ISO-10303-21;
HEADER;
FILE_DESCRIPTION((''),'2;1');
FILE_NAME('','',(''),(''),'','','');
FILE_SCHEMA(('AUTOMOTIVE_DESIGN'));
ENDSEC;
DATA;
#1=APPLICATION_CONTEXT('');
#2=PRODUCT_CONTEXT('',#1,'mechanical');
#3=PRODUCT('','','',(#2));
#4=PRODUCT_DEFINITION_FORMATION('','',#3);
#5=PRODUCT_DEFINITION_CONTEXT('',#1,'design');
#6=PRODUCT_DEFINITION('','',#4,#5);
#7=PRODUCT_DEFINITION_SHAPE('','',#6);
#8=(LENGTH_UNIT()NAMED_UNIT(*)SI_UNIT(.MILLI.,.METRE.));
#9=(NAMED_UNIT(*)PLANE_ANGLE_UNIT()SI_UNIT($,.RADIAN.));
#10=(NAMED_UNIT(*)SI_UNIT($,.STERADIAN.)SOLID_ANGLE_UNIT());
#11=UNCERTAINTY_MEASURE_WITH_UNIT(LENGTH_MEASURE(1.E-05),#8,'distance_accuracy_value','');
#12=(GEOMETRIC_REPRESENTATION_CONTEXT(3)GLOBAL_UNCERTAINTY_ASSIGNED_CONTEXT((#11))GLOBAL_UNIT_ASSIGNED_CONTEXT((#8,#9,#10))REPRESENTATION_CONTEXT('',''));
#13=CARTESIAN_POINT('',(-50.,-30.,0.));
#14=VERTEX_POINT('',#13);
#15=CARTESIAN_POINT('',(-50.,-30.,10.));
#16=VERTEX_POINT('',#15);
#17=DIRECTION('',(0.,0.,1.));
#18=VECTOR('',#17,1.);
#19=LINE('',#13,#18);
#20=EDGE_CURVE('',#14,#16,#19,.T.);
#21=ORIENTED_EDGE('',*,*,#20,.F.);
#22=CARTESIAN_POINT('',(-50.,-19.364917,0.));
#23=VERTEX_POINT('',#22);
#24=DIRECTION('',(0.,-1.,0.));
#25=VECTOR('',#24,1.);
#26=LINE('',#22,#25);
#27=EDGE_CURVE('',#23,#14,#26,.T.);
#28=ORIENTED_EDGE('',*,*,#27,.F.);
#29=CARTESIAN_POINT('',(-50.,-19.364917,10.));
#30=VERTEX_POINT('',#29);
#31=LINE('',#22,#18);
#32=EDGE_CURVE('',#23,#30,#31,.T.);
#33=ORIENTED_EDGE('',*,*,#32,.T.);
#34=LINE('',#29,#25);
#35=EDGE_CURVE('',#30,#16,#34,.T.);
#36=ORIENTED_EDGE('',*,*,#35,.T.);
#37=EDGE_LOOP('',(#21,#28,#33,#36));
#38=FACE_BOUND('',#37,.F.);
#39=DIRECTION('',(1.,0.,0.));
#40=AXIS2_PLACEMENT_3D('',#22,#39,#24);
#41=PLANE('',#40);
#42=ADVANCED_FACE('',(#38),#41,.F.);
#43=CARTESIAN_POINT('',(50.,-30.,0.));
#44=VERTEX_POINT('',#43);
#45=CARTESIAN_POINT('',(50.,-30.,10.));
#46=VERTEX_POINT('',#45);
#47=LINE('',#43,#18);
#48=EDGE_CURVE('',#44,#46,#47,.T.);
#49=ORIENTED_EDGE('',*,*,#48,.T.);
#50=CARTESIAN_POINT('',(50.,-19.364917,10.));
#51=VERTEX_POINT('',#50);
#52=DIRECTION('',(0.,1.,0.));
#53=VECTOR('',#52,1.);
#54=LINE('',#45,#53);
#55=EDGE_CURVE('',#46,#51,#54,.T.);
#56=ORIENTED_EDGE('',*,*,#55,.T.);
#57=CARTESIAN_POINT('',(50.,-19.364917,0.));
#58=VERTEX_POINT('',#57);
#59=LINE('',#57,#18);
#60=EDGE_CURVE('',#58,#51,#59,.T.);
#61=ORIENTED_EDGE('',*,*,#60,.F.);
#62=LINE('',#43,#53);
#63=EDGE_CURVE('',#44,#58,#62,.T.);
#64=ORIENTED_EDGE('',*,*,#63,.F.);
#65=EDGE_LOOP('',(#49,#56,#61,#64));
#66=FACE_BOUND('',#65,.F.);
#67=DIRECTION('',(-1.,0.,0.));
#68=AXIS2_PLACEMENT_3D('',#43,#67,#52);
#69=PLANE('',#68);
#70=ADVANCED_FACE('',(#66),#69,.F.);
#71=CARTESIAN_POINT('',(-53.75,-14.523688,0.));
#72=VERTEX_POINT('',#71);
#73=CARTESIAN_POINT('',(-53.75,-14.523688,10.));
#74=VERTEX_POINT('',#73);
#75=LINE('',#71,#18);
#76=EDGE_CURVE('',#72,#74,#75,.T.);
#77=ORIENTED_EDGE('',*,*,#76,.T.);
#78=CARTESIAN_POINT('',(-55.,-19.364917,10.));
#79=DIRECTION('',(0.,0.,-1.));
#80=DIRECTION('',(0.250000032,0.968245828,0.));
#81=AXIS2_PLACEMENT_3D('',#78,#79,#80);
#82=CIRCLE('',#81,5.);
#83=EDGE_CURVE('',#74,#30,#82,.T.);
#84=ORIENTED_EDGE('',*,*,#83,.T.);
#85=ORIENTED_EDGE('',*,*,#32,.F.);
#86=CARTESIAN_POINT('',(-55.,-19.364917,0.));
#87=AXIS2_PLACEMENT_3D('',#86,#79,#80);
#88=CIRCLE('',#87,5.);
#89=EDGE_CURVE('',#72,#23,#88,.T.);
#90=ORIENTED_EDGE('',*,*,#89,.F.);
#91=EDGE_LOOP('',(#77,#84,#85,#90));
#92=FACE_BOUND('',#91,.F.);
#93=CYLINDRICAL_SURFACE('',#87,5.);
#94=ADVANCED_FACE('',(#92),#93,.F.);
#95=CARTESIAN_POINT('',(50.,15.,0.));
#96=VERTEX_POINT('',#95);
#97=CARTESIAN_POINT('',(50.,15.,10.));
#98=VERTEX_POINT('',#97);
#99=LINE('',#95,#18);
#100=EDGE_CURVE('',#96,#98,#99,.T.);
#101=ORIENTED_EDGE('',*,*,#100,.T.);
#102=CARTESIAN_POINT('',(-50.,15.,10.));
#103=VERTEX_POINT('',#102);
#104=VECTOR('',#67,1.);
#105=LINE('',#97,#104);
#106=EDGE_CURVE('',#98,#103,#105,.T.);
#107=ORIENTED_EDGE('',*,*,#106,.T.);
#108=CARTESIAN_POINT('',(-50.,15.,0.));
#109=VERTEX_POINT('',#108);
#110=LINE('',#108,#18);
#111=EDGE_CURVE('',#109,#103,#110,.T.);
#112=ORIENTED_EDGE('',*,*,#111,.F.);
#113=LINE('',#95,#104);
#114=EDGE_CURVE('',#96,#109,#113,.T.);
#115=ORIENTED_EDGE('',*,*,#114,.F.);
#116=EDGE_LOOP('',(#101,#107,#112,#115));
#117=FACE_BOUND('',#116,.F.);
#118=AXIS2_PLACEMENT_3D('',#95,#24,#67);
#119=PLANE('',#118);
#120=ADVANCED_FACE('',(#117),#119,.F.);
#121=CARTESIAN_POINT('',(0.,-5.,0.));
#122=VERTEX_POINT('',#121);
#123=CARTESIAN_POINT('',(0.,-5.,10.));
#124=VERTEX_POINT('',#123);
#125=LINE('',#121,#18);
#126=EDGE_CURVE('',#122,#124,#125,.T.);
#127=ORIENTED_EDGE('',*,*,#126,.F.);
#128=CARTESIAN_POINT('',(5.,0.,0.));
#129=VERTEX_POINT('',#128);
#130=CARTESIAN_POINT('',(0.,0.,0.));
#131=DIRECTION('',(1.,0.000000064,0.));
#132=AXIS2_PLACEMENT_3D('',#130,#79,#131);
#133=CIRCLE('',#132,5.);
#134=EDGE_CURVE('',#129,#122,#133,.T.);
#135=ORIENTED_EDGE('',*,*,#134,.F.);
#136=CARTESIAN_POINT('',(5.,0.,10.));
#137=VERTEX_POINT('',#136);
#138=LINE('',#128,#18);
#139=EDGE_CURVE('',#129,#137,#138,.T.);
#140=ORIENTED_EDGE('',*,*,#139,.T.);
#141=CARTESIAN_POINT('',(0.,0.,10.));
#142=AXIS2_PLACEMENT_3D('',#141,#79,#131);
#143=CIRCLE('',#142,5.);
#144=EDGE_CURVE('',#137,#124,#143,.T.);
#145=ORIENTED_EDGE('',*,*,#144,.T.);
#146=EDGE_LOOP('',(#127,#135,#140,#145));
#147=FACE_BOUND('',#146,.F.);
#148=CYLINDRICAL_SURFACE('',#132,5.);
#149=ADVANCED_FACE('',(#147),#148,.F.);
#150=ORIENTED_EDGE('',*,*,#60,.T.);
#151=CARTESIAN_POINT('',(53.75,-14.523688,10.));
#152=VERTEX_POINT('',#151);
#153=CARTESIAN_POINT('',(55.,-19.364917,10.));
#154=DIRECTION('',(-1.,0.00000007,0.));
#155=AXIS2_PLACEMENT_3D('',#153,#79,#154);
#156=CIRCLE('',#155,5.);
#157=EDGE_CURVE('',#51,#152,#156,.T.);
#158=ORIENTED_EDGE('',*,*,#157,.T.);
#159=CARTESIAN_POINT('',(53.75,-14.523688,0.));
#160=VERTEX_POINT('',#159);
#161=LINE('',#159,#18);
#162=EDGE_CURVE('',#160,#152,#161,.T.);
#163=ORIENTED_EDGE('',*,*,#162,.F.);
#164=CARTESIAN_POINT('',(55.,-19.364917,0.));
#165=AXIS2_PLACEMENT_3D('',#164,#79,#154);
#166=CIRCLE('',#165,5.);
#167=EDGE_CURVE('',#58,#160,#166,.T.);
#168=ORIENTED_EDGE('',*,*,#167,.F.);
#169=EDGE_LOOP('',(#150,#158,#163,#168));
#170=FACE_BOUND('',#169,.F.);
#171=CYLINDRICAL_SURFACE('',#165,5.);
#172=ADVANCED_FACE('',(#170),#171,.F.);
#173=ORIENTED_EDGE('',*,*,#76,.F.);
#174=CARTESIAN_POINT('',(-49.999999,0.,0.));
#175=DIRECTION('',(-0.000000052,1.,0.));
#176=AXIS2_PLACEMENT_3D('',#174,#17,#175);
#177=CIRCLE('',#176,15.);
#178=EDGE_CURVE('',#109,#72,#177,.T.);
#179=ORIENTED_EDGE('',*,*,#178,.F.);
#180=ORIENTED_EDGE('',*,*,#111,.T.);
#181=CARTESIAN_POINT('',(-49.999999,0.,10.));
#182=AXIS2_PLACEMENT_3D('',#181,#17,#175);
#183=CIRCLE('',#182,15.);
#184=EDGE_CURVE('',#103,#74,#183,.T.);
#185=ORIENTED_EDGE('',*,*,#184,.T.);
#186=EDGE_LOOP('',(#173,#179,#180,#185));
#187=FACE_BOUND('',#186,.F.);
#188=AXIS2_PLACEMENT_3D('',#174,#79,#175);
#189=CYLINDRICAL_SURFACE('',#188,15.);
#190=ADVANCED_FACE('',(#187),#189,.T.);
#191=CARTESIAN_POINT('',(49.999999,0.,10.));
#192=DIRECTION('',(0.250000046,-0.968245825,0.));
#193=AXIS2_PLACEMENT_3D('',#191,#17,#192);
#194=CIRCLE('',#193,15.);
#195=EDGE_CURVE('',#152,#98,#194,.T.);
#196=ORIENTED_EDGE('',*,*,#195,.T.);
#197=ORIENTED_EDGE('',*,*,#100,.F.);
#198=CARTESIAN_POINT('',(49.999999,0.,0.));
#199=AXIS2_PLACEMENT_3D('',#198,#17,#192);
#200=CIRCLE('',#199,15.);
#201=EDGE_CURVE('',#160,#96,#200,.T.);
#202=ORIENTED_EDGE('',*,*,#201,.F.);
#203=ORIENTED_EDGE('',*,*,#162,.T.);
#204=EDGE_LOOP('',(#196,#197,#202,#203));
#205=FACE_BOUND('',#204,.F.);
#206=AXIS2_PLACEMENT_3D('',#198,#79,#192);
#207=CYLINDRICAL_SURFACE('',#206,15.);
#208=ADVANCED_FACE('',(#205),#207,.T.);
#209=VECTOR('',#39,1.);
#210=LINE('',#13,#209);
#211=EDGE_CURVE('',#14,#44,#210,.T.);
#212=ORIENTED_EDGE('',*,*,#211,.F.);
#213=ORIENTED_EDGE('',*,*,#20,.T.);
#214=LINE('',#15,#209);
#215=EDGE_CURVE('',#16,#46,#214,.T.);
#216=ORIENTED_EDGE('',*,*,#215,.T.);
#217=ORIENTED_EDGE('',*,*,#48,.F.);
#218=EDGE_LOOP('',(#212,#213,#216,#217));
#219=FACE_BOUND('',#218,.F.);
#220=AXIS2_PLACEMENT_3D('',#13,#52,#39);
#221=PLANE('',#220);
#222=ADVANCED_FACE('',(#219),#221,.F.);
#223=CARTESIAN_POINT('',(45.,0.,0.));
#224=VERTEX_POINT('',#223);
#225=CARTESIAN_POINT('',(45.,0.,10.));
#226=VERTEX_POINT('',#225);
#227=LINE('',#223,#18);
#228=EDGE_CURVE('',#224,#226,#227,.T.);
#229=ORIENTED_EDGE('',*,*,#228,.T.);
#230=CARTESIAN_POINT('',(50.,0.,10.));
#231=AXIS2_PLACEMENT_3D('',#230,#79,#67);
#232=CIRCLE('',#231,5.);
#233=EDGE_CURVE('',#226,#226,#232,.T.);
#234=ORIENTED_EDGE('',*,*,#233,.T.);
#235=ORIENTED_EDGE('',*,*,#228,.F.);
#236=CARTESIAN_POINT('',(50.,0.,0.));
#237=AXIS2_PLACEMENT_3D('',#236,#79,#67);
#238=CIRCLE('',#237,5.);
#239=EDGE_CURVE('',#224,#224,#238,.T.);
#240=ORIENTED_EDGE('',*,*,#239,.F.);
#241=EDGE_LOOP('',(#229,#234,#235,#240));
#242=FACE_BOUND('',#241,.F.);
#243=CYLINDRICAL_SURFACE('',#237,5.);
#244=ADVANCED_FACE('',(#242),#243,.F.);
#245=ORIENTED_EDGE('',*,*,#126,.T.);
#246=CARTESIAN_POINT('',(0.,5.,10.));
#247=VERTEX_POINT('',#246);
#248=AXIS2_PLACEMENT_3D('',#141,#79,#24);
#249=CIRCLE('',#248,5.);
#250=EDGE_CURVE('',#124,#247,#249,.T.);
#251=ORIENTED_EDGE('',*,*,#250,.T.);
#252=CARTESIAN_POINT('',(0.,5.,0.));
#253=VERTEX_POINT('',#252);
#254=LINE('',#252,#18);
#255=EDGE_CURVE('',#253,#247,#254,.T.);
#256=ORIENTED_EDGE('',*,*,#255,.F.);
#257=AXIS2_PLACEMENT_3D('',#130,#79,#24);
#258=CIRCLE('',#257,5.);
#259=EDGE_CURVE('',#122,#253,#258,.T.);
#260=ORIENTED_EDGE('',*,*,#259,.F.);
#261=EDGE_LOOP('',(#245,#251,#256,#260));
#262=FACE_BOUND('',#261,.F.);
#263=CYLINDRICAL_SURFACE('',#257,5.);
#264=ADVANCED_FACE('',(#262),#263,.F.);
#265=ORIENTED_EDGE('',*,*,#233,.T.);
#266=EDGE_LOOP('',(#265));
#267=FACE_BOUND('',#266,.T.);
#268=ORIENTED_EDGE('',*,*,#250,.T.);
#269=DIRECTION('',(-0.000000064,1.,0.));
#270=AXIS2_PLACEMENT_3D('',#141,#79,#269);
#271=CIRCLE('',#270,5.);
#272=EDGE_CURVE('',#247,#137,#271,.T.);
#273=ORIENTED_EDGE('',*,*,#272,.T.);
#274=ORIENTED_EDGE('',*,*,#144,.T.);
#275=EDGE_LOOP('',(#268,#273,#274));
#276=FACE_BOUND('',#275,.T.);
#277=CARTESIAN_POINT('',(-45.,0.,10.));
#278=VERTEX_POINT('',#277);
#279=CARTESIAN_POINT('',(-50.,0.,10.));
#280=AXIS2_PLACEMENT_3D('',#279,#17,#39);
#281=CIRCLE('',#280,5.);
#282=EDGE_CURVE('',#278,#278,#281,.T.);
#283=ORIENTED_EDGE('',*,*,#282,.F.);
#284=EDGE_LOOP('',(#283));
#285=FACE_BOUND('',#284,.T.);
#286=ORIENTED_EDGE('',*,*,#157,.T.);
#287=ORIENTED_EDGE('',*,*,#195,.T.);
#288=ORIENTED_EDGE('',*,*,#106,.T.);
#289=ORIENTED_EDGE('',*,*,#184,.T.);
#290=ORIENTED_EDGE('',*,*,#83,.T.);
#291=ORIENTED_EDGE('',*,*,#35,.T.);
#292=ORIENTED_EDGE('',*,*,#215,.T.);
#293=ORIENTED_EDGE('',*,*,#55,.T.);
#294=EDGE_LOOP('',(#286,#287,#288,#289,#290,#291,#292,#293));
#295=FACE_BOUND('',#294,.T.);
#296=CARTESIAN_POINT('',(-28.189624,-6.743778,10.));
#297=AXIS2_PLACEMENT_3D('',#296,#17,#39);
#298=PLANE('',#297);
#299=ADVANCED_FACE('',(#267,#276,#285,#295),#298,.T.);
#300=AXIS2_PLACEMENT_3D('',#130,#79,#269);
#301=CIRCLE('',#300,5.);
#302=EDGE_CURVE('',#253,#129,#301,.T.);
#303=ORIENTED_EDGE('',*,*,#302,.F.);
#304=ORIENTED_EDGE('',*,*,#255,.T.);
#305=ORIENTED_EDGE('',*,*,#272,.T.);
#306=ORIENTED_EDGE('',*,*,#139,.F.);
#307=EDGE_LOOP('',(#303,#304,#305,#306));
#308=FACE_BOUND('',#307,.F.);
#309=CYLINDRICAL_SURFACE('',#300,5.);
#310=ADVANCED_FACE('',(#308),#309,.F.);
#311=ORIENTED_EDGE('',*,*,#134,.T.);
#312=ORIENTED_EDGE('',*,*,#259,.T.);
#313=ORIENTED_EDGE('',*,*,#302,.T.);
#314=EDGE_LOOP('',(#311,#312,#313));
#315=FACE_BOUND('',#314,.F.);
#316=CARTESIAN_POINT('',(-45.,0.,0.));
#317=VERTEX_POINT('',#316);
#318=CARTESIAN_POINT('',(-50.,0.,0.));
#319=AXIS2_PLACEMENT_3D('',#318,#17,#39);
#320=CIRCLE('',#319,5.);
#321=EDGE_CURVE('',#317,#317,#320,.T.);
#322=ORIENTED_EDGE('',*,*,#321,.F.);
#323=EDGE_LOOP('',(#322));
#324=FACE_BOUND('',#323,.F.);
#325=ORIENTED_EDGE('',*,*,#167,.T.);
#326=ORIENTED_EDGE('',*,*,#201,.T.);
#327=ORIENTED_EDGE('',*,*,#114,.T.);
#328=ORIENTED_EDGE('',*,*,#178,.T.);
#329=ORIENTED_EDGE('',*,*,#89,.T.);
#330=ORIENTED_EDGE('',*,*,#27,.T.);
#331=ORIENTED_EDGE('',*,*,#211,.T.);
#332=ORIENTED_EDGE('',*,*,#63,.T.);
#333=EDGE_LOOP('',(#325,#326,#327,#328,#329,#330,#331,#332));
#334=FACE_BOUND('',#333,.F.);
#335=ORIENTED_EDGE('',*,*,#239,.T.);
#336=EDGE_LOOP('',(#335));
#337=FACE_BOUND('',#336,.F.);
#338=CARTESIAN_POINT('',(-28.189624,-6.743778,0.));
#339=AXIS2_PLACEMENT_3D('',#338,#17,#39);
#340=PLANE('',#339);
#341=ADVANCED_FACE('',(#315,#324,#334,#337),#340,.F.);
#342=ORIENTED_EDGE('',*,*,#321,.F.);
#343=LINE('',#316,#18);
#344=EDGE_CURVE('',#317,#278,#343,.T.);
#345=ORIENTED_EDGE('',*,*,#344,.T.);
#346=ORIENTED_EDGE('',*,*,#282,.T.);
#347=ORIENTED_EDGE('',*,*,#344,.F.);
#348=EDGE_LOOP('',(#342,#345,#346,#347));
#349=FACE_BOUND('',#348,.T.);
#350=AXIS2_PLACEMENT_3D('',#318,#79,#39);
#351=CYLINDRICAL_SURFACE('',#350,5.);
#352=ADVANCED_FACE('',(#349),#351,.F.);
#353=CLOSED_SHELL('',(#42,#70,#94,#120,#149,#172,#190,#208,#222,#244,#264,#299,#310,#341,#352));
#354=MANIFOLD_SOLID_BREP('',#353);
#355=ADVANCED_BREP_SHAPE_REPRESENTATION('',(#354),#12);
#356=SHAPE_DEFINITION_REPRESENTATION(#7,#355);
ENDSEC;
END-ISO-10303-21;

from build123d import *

# Parameters (mm, degrees)
F0_R     = 5
F1_DEPTH = 10


with BuildPart() as f1:
    # F0 (on Top) → F1 (new body)
    with BuildSketch(Plane.XY):
        with BuildLine():
            Line((0, 15), (-50, 15))
            ThreePointArc((-50, 15), (-64.880445, 1.890064), (-53.75, -14.523688))
            ThreePointArc((-53.75, -14.523688), (-51.047153, -16.303055), (-50, -19.364917))
            Line((-50, -19.364917), (-50, -30))
            Line((-50, -30), (0, -30))
            Line((0, -30), (0, -5))
            ThreePointArc((0, -5), (-5, 0), (0, 5))
            Line((0, 5), (0, 15))
        make_face()
        with Locations((-50, 0)):
            Circle(F0_R, mode=Mode.SUBTRACT)
        with BuildLine():
            Line((50, 15), (0, 15))
            Line((0, 15), (0, 5))
            ThreePointArc((0, 5), (3.535534, 3.535534), (5, 0))
            ThreePointArc((5, 0), (3.535534, -3.535534), (0, -5))
            Line((0, -5), (0, -30))
            Line((0, -30), (50, -30))
            Line((50, -30), (50, -19.364917))
            ThreePointArc((50, -19.364917), (51.047153, -16.303055), (53.75, -14.523688))
            ThreePointArc((53.75, -14.523688), (64.880445, 1.890064), (50, 15))
        make_face()
        with BuildLine():
            ThreePointArc((55, 0), (50, -5), (45, 0))
            ThreePointArc((45, 0), (50, 5), (55, 0))
        make_face(mode=Mode.SUBTRACT)
    extrude(amount=F1_DEPTH)


solid = f1.part
